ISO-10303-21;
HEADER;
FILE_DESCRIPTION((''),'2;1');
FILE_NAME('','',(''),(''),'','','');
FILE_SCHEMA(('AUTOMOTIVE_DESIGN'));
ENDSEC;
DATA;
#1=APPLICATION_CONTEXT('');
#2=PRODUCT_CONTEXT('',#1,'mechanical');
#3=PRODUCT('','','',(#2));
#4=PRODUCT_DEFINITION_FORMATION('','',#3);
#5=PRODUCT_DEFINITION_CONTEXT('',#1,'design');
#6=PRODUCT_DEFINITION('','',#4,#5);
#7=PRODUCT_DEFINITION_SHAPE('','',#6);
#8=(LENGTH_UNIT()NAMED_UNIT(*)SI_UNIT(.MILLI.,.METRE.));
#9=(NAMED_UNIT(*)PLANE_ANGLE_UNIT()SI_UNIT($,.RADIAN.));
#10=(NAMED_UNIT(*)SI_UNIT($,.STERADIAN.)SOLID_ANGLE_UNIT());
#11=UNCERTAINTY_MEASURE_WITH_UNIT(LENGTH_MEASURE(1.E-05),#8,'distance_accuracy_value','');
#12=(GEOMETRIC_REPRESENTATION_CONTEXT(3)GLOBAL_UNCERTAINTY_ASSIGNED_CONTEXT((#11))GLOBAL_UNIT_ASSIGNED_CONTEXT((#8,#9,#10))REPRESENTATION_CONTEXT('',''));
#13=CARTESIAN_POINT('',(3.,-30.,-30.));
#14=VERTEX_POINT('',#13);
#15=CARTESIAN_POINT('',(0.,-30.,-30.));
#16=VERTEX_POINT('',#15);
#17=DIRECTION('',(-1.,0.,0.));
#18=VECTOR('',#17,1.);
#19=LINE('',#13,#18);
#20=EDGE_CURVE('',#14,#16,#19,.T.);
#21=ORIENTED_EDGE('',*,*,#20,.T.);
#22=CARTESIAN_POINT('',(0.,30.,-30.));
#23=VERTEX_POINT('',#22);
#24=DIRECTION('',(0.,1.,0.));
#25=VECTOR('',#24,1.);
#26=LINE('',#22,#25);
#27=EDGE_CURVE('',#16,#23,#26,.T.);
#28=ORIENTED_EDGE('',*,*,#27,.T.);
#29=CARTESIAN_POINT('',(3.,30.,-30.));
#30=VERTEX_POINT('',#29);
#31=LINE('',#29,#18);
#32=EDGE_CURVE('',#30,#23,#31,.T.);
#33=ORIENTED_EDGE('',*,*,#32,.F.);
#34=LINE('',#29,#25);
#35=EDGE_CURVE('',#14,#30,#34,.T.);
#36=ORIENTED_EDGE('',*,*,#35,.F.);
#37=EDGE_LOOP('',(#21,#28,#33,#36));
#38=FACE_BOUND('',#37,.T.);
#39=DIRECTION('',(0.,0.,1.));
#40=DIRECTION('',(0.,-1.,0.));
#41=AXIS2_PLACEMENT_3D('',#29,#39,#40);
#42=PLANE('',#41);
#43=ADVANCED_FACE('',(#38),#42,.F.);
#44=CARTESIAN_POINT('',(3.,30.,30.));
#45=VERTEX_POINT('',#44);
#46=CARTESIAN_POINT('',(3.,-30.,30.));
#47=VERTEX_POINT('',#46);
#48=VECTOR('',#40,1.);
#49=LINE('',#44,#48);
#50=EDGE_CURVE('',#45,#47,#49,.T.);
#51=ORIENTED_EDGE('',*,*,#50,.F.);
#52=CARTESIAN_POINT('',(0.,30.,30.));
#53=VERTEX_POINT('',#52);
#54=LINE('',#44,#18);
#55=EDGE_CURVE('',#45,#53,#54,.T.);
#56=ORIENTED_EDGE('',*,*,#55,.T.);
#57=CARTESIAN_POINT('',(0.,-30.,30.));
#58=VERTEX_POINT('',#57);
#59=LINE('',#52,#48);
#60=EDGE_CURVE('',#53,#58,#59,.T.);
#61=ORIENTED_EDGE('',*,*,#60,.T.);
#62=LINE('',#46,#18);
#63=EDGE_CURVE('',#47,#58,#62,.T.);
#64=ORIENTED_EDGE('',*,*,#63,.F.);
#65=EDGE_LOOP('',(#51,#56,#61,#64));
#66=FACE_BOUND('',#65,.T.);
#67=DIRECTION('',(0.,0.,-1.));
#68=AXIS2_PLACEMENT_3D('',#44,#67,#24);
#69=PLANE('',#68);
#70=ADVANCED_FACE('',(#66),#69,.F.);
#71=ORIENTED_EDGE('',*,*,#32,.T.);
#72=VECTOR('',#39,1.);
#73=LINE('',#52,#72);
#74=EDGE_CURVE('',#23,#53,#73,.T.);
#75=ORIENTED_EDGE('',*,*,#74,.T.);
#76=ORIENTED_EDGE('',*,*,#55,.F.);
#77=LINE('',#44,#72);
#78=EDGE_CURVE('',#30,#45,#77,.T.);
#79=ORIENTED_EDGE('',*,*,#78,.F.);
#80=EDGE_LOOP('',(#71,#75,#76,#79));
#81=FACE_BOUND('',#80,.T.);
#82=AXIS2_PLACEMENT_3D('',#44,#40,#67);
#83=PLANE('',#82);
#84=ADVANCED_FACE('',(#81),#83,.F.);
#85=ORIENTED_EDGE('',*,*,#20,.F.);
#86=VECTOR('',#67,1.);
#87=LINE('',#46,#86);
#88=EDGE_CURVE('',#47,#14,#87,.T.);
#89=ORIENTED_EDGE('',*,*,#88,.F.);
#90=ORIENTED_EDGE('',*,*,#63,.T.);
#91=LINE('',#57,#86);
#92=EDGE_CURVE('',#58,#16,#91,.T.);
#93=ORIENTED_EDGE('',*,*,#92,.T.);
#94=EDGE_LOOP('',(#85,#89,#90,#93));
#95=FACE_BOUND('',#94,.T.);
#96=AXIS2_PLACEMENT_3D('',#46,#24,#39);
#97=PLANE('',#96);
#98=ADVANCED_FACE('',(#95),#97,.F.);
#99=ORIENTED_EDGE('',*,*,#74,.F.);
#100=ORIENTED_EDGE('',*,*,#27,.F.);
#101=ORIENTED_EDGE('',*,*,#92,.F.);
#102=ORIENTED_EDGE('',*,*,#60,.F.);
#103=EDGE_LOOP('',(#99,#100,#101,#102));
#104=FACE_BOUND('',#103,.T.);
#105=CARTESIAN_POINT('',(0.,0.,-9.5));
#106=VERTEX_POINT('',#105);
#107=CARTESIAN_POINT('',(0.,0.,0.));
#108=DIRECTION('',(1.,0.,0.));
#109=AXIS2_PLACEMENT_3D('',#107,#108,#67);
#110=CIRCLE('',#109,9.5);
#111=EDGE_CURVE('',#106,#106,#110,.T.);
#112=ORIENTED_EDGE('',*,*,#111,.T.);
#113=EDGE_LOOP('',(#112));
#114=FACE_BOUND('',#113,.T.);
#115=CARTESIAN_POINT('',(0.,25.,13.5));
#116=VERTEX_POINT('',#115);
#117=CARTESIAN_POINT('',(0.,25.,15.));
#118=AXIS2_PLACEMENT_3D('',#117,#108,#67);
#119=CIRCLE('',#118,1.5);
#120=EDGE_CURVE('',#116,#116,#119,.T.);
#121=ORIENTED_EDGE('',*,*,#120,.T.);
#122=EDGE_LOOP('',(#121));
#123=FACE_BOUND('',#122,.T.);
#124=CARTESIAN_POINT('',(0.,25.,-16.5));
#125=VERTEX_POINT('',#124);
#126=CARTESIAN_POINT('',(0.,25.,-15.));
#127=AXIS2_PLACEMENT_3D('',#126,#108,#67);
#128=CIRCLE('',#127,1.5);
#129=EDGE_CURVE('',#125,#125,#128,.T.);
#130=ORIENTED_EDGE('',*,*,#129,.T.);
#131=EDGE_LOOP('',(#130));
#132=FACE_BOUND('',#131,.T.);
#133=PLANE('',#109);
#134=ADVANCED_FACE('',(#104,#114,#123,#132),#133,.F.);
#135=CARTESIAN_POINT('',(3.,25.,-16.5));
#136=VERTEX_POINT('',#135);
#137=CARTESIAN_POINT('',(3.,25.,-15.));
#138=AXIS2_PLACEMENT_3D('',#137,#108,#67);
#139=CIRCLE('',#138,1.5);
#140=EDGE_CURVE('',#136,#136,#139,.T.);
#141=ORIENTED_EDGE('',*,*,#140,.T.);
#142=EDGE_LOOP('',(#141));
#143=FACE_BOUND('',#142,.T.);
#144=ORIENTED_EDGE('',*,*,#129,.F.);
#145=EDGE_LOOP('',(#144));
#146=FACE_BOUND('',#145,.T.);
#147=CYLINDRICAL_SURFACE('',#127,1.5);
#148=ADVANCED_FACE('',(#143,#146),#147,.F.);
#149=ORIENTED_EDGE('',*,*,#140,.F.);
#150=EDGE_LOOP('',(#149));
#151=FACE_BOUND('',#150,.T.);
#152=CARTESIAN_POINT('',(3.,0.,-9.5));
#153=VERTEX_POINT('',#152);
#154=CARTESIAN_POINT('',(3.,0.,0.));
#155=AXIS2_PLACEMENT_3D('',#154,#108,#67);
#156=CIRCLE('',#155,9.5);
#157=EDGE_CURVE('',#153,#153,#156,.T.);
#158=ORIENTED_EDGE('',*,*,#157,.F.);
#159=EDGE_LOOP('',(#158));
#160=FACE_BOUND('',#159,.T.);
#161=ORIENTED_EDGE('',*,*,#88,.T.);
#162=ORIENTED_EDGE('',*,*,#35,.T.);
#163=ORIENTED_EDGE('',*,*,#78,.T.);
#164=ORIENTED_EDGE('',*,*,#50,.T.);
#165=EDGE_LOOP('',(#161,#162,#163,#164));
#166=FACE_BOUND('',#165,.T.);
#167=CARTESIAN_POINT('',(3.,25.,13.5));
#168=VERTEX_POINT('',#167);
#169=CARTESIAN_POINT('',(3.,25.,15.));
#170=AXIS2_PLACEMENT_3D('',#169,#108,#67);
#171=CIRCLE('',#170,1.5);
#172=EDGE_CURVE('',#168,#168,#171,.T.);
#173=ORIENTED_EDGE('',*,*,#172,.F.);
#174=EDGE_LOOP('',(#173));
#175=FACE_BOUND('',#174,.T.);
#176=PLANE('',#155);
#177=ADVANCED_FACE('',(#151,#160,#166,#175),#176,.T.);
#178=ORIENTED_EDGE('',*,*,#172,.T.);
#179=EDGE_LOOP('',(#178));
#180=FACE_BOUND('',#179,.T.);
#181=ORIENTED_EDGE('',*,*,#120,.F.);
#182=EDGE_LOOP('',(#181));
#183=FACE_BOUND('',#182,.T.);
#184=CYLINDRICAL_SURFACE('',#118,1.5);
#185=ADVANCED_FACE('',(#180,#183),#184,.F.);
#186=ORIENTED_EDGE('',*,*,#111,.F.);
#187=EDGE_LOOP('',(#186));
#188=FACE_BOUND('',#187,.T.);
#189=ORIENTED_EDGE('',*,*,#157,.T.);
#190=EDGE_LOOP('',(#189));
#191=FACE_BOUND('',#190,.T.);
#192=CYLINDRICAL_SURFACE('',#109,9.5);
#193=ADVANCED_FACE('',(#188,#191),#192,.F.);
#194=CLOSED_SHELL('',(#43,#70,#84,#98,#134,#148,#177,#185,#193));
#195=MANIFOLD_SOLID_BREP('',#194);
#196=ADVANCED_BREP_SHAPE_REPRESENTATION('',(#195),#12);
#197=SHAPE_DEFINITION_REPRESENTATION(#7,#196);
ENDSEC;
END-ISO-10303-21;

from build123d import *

# Parameters (mm, degrees)
SKIZZE1_W                       = 60
SKIZZE1_H                       = 60
AUFSATZ_LINEAR_AUSTRAGEN1_DEPTH = 3
SKIZZE3_R                       = 1.5
SKIZZE3_R_2                     = 9.5
SCHNITT_LINEAR_AUSTRAGEN2_DEPTH = 43.532340636


with BuildPart() as part:
    # Skizze1 → Aufsatz-Linear austragen1 (new body)
    with BuildSketch(Plane(origin=(0, 0, 0), x_dir=(0, 0, -1), z_dir=(1, 0, 0))):
        Rectangle(SKIZZE1_W, SKIZZE1_H)
    extrude(amount=AUFSATZ_LINEAR_AUSTRAGEN1_DEPTH)

    # Skizze3 → Schnitt-Linear austragen2 (cut, through all)
    with BuildSketch(Plane(origin=(3, 0, 0), x_dir=(0, 0, -1), z_dir=(1, 0, 0))):
        with Locations((-15, 25)):
            Circle(SKIZZE3_R)
        with Locations((15, 25)):
            Circle(SKIZZE3_R)
        Circle(SKIZZE3_R_2)
    extrude(amount=-SCHNITT_LINEAR_AUSTRAGEN2_DEPTH, mode=Mode.SUBTRACT)


solid = part.part
